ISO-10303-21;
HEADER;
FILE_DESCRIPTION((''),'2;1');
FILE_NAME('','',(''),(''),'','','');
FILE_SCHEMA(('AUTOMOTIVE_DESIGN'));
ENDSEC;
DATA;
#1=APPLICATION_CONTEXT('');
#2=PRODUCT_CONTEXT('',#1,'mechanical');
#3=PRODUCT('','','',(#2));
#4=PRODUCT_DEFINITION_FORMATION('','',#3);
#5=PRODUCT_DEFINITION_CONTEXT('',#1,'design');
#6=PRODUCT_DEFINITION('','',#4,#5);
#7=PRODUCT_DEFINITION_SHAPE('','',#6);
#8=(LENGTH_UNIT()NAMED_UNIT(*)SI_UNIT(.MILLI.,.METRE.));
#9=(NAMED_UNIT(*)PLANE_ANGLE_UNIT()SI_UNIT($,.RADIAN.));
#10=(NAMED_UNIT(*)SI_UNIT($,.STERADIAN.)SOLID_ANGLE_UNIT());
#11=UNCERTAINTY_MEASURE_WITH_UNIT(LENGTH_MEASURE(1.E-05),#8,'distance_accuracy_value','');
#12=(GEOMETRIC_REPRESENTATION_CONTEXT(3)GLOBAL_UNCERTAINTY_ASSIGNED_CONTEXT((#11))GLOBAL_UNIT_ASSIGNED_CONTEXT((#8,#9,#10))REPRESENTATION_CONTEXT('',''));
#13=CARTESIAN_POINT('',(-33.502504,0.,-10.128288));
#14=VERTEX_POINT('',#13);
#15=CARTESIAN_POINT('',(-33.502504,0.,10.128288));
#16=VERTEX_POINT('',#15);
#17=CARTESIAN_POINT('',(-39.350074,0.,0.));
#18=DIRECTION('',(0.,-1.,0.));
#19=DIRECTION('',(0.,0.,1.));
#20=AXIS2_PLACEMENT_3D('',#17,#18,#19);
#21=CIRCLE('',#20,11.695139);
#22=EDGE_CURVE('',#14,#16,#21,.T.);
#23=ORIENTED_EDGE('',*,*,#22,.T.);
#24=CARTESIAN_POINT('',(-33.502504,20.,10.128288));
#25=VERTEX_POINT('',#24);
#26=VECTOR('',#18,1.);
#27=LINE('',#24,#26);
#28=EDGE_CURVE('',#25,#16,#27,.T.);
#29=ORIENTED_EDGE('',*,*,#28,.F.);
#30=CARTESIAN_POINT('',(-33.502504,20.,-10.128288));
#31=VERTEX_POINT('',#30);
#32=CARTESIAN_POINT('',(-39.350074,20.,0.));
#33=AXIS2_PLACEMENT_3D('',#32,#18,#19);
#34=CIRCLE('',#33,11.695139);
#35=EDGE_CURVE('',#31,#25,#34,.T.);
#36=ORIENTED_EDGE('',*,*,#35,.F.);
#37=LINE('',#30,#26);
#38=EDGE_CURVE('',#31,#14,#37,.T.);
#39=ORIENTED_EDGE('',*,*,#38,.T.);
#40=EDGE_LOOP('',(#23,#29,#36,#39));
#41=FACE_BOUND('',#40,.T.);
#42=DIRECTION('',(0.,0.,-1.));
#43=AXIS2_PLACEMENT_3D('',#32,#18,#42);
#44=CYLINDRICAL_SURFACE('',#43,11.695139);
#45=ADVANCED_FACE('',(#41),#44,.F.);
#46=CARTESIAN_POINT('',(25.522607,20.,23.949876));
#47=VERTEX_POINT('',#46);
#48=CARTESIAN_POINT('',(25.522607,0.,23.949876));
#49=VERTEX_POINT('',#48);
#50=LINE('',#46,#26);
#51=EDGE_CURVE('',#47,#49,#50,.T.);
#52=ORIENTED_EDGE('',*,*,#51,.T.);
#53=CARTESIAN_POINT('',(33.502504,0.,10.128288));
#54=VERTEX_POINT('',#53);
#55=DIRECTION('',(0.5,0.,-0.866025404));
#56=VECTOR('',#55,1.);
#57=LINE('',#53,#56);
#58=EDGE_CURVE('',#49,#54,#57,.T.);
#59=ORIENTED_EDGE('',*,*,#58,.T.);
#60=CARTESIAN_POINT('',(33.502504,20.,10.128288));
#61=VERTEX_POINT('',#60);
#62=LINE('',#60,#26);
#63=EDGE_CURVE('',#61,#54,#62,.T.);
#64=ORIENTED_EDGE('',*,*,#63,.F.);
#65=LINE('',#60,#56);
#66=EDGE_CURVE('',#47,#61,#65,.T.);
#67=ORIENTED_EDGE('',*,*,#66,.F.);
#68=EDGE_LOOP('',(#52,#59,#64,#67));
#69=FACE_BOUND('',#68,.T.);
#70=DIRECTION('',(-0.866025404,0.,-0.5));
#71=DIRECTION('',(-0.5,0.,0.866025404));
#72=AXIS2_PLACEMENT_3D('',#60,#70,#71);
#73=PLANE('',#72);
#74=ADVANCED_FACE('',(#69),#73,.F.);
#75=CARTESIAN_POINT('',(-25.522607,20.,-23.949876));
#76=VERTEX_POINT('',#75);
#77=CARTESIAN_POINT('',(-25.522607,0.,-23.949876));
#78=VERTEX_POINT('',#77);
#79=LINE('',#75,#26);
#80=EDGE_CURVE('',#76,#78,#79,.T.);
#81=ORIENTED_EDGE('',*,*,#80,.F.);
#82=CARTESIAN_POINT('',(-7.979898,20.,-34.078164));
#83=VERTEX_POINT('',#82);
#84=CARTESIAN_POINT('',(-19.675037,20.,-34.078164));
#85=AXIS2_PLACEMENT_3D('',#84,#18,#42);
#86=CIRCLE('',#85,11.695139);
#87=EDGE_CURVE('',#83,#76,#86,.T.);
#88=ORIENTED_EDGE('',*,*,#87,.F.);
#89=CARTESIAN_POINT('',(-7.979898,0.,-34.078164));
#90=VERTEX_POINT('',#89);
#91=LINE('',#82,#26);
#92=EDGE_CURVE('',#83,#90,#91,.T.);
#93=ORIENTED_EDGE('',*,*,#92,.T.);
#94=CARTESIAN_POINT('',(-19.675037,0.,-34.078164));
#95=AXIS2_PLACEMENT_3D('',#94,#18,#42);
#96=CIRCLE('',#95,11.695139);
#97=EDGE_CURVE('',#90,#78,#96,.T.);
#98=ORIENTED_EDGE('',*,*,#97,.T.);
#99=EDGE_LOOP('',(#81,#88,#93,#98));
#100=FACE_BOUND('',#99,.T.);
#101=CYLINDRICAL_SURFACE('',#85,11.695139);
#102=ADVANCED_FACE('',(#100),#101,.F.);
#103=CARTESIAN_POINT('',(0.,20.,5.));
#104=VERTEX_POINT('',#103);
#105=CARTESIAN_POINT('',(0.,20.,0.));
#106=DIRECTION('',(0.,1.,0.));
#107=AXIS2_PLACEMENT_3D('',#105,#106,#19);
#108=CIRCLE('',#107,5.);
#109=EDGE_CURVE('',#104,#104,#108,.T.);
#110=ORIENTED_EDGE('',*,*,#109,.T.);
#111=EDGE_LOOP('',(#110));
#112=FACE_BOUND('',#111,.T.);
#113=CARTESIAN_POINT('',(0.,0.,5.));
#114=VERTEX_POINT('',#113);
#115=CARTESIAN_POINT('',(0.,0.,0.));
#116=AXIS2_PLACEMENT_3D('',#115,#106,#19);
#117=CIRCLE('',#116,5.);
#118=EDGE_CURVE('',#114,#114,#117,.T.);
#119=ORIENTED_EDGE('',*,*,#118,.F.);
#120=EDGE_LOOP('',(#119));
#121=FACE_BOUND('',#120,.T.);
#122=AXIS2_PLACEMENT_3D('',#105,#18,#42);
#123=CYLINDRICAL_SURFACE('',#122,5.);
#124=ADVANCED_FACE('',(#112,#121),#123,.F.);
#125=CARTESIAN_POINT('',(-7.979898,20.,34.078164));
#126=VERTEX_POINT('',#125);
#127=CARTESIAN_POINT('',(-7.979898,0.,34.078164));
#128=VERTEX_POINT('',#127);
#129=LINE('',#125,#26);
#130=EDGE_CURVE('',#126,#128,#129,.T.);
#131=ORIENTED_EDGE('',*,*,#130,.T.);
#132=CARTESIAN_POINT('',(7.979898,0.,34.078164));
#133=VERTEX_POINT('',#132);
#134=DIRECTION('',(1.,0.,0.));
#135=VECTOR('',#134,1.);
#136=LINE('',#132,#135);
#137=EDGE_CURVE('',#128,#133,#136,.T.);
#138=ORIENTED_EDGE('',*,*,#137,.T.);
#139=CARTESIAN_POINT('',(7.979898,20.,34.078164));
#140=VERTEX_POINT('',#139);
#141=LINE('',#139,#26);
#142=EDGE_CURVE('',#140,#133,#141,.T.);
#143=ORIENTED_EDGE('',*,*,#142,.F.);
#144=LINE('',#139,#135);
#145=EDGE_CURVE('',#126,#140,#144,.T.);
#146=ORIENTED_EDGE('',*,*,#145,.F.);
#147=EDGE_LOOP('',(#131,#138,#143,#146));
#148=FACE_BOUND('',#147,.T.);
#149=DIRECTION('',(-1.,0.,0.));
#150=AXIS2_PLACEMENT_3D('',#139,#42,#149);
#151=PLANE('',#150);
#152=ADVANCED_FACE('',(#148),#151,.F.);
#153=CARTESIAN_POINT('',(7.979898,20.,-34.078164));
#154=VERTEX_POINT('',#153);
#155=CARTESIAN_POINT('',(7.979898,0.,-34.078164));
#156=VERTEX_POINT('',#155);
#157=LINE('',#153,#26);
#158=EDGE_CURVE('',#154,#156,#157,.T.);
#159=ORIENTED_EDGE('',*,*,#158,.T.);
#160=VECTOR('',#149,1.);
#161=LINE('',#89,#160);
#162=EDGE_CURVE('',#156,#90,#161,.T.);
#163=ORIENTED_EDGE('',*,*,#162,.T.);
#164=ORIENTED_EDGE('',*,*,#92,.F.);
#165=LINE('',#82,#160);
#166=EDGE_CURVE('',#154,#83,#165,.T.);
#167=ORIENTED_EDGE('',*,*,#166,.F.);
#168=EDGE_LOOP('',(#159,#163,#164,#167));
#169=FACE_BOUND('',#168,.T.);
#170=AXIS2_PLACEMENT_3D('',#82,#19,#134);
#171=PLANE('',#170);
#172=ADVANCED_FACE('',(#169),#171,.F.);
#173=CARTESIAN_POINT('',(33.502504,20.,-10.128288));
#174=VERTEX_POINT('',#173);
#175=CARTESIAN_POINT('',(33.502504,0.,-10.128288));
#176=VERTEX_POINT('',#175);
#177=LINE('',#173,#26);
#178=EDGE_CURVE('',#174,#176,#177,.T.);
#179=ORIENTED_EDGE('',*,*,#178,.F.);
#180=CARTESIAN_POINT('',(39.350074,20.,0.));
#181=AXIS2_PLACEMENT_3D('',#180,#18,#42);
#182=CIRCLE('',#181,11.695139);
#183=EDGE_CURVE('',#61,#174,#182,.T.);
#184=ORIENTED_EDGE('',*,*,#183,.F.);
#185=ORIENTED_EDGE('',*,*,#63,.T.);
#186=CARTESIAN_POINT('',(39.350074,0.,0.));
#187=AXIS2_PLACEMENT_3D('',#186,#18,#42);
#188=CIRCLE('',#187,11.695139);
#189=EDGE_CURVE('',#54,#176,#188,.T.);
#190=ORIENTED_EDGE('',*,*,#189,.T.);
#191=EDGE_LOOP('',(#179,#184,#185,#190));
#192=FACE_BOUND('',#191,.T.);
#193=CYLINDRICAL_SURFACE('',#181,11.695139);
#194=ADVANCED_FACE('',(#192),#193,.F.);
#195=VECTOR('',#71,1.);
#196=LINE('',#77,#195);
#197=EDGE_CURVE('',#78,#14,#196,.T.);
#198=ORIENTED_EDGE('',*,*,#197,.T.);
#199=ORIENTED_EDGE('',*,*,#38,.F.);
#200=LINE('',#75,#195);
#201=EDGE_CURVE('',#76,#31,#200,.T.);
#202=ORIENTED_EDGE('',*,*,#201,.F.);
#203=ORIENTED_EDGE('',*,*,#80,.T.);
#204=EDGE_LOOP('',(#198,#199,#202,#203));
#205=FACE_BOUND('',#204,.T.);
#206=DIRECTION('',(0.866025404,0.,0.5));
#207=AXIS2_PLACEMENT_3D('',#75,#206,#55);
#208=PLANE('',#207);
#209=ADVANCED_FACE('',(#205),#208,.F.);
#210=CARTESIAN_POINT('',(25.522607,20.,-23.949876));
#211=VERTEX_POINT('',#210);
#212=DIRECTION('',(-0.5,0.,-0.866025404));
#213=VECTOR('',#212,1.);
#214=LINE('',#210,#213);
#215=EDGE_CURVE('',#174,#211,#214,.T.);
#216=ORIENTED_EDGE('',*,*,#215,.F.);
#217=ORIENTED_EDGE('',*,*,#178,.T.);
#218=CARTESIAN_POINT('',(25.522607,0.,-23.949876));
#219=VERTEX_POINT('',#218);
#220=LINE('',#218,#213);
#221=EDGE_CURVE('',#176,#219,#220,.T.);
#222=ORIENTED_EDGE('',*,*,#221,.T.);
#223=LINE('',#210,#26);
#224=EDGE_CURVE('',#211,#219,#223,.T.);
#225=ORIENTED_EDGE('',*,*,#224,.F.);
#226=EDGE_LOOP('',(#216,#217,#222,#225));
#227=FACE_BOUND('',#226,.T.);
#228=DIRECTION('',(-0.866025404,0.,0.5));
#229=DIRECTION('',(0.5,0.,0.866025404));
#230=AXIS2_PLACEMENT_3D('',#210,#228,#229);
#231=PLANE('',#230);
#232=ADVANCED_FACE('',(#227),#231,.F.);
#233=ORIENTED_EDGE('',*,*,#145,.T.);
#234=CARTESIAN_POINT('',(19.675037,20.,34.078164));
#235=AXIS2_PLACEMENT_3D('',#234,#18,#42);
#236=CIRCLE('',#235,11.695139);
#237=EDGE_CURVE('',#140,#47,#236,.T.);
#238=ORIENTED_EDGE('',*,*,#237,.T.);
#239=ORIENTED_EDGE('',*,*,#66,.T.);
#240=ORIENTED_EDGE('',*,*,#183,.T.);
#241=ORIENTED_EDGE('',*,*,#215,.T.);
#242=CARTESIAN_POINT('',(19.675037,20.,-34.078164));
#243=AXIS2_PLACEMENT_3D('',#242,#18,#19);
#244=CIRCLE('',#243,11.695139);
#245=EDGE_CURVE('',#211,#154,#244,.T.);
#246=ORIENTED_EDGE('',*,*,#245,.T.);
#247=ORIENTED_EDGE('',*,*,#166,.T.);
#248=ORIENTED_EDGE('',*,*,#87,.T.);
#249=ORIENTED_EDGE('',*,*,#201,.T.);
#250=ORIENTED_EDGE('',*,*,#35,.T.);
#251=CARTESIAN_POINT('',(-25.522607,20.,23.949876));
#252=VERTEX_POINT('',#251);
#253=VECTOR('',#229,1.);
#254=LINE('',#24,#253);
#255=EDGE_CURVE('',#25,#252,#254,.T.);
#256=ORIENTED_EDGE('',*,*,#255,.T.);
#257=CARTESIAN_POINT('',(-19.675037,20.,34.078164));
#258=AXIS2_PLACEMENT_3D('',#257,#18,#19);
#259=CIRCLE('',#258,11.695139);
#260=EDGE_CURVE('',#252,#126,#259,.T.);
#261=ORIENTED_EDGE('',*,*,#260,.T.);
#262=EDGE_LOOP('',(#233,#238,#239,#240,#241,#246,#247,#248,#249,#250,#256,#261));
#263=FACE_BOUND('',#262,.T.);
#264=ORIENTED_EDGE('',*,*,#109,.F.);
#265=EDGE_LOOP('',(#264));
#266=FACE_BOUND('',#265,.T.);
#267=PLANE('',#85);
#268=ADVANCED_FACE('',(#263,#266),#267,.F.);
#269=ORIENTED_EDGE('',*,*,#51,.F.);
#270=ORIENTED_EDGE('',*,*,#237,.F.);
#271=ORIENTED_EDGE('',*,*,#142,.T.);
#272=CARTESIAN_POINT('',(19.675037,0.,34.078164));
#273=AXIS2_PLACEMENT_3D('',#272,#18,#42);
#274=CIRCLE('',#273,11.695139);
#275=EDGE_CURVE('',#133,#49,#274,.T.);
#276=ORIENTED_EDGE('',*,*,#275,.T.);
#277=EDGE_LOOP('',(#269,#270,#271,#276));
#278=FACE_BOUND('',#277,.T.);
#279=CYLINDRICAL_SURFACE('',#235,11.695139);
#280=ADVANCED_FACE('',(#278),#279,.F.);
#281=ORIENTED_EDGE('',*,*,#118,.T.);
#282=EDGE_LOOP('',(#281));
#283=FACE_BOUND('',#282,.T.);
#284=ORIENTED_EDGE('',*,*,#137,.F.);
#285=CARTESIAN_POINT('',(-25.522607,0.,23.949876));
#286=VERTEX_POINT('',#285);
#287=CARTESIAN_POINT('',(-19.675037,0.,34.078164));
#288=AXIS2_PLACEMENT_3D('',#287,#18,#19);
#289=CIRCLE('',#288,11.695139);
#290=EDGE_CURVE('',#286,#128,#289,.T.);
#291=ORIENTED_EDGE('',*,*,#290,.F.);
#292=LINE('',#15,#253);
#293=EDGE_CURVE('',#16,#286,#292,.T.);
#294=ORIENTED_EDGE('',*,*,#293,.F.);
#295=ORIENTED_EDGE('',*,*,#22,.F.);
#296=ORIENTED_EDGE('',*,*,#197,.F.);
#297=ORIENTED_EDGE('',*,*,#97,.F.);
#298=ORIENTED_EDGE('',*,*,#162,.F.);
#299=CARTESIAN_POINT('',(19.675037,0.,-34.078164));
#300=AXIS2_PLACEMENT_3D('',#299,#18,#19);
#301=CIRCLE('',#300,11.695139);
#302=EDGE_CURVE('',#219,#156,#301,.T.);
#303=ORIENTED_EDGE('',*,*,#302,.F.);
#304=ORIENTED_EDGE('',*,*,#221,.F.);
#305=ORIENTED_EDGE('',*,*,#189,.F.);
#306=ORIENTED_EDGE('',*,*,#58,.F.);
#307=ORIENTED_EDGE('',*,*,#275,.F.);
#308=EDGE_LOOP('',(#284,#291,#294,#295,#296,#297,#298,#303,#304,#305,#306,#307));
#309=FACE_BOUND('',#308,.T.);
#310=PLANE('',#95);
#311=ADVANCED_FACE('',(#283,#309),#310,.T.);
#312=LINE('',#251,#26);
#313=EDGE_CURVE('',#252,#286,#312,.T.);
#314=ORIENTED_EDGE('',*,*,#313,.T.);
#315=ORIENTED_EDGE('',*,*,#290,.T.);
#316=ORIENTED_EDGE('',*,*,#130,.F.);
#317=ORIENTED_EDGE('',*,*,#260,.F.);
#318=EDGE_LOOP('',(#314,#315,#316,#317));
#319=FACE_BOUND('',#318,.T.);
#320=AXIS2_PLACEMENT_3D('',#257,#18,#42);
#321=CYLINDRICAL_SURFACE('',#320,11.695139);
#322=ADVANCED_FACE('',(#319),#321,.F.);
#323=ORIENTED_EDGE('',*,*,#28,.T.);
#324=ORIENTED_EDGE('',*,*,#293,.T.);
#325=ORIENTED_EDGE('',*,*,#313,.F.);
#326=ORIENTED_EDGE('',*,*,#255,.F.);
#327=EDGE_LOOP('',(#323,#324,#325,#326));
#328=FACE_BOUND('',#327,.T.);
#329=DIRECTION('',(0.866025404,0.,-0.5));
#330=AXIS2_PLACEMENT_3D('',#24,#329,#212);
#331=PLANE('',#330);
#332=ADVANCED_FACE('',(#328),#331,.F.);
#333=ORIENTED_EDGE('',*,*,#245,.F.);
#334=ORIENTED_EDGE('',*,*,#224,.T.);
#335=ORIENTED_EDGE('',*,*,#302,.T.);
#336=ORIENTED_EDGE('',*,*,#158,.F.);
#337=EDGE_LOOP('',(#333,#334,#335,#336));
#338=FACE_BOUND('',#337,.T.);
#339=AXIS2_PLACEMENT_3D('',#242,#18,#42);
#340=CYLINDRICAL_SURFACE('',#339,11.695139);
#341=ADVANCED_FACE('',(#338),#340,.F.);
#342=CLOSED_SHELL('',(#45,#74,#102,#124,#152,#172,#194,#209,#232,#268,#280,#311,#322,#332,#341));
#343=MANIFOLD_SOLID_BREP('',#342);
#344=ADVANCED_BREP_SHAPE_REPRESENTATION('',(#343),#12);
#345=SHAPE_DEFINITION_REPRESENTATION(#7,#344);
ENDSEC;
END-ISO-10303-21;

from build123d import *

# Parameters (mm, degrees)
SKETCH1_R           = 5
BOSS_EXTRUDE1_DEPTH = 20


with BuildPart() as part:
    # Sketch1 → Boss-Extrude1 (new body)
    with BuildSketch(Plane(origin=(0, 0, 0), x_dir=(1, 0, 0), z_dir=(0, 1, 0))):
        with BuildLine():
            Line((-7.979897677, 34.078163581), (7.979897677, 34.078163581))
            ThreePointArc((7.979897677, 34.078163581), (13.827467297, 23.949875898), (25.522606537, 23.949875898))
            Line((25.522606537, 23.949875898), (33.502504214, 10.128287683))
            ThreePointArc((33.502504214, 10.128287683), (27.654934594, 0), (33.502504214, -10.128287683))
            Line((33.502504214, -10.128287683), (25.522606537, -23.949875898))
            ThreePointArc((25.522606537, -23.949875898), (13.827467297, -23.949875898), (7.979897677, -34.078163581))
            Line((7.979897677, -34.078163581), (-7.979897677, -34.078163581))
            ThreePointArc((-7.979897677, -34.078163581), (-13.827467297, -23.949875898), (-25.522606537, -23.949875898))
            Line((-25.522606537, -23.949875898), (-33.502504214, -10.128287683))
            ThreePointArc((-33.502504214, -10.128287683), (-27.654934594, 0), (-33.502504214, 10.128287683))
            Line((-33.502504214, 10.128287683), (-25.522606537, 23.949875898))
            ThreePointArc((-25.522606537, 23.949875898), (-13.827467297, 23.949875898), (-7.979897677, 34.078163581))
        make_face()
        with Locations(Location((0, 0, 0), (0, 0, 270))):
            Circle(SKETCH1_R, mode=Mode.SUBTRACT)
    extrude(amount=BOSS_EXTRUDE1_DEPTH)


solid = part.part
